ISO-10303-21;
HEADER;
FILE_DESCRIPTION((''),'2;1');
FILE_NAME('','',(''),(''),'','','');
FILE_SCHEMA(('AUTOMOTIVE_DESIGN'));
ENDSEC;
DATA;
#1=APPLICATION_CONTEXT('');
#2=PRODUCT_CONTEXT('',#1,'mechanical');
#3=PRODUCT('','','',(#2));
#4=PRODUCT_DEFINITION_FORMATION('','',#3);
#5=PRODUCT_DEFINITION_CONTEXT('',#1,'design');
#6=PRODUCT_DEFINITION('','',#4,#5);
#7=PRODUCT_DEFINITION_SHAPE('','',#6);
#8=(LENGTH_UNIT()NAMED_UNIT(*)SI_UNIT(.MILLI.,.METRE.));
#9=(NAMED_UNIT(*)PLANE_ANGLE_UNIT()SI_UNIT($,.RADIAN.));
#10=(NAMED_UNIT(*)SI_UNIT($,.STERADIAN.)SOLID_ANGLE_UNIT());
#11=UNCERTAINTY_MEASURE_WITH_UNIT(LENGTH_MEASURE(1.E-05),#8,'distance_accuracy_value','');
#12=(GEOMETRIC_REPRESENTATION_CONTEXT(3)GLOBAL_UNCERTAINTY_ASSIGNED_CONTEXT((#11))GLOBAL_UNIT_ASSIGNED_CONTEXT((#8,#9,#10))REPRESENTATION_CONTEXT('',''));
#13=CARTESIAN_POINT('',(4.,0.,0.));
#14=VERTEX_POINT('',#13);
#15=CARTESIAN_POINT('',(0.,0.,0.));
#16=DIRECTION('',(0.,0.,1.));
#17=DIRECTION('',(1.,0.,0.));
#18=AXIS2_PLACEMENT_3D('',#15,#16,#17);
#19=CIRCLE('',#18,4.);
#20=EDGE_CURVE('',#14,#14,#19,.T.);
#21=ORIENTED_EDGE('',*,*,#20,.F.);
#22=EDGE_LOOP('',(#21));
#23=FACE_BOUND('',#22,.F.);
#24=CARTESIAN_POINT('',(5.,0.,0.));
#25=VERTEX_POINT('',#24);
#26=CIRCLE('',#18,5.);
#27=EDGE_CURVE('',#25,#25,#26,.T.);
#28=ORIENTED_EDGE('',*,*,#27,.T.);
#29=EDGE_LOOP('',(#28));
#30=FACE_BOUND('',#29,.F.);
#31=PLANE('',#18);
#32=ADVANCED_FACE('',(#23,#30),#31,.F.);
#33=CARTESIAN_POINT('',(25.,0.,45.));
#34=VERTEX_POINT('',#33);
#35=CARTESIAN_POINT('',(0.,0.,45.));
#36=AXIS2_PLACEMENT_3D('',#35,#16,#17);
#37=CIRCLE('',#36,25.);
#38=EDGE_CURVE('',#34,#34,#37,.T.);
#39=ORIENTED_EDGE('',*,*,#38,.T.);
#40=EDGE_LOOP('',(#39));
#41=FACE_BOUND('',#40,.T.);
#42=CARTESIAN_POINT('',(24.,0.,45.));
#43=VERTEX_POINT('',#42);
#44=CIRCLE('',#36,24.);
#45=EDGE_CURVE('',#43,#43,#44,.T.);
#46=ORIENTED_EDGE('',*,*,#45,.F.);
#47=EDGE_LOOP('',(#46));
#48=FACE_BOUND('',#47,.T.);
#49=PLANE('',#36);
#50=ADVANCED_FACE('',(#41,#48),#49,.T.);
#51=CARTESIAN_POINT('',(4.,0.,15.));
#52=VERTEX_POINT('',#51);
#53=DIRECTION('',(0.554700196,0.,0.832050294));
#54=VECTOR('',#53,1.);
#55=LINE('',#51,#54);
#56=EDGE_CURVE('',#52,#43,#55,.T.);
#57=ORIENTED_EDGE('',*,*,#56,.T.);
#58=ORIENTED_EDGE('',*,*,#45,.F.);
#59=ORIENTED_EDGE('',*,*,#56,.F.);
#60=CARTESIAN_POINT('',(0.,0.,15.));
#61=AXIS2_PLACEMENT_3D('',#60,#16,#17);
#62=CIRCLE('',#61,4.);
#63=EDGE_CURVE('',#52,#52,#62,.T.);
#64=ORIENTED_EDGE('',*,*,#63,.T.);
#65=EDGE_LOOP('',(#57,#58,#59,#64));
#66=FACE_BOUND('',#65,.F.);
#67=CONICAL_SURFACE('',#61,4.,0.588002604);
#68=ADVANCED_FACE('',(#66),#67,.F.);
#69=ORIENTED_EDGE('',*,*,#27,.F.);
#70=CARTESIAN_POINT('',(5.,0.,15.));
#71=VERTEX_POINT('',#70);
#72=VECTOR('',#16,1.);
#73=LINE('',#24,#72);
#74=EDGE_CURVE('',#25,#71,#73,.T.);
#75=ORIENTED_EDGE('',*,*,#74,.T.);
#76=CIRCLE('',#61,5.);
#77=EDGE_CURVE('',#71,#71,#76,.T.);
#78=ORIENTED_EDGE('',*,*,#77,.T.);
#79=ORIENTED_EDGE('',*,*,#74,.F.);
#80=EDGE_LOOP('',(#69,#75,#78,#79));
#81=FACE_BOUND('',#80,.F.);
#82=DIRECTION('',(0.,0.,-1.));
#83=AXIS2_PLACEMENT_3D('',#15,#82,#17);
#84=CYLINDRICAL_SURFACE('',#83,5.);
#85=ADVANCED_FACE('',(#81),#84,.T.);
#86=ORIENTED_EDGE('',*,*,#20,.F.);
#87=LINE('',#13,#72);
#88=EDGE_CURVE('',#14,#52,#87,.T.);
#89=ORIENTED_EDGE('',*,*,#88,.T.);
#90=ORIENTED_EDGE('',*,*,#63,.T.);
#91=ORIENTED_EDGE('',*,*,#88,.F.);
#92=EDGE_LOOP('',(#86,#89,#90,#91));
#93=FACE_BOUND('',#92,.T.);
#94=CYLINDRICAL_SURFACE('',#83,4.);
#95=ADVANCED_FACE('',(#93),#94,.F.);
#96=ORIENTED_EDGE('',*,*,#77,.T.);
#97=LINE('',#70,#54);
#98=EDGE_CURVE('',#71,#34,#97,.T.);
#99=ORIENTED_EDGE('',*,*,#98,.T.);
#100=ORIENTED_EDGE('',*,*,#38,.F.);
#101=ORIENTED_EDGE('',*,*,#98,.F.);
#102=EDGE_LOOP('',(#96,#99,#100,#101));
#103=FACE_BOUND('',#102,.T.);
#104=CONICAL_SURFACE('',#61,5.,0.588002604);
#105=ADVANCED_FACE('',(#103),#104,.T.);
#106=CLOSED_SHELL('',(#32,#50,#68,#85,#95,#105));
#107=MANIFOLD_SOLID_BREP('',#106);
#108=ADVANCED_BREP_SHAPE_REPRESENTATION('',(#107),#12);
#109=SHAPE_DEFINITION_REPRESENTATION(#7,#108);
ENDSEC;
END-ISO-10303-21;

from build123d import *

# Parameters (mm, degrees)
CYLINDER001_R     = 4
CYLINDER001_DEPTH = 15
CYLINDER_R        = 5
CYLINDER_DEPTH    = 15


with BuildPart() as cone001:
    # Cone001 → Cone001 (revolve)
    with BuildSketch(Plane.XZ):
        Polygon((0, 0), (4, 0), (24, 30), (0, 30), align=None)
    revolve(axis=Axis((0, 0, 0), (0, 0, 1)))


with BuildPart() as cut:
    # Cone → Cone (revolve)
    with BuildSketch(Plane.XZ):
        Polygon((0, 0), (5, 0), (25, 30), (0, 30), align=None)
    revolve(axis=Axis((0, 0, 0), (0, 0, 1)))

    # Cut: cut Cone001
    add(cone001.part, mode=Mode.SUBTRACT)


with BuildPart() as cut_1:
    # Cut placement: moved
    add(cut.part.moved(Location((0, 0, 15))))


with BuildPart() as cylinder001:
    # Cylinder001 → Cylinder001 (new body)
    with BuildSketch(Plane.XY):
        Circle(CYLINDER001_R)
    extrude(amount=CYLINDER001_DEPTH)


with BuildPart() as fusion:
    # Cylinder → Cylinder (new body)
    with BuildSketch(Plane.XY):
        Circle(CYLINDER_R)
    extrude(amount=CYLINDER_DEPTH)

    # Cut001: cut Cylinder001
    add(cylinder001.part, mode=Mode.SUBTRACT)

    # Fusion: union Cut
    add(cut_1.part)


solid = fusion.part
